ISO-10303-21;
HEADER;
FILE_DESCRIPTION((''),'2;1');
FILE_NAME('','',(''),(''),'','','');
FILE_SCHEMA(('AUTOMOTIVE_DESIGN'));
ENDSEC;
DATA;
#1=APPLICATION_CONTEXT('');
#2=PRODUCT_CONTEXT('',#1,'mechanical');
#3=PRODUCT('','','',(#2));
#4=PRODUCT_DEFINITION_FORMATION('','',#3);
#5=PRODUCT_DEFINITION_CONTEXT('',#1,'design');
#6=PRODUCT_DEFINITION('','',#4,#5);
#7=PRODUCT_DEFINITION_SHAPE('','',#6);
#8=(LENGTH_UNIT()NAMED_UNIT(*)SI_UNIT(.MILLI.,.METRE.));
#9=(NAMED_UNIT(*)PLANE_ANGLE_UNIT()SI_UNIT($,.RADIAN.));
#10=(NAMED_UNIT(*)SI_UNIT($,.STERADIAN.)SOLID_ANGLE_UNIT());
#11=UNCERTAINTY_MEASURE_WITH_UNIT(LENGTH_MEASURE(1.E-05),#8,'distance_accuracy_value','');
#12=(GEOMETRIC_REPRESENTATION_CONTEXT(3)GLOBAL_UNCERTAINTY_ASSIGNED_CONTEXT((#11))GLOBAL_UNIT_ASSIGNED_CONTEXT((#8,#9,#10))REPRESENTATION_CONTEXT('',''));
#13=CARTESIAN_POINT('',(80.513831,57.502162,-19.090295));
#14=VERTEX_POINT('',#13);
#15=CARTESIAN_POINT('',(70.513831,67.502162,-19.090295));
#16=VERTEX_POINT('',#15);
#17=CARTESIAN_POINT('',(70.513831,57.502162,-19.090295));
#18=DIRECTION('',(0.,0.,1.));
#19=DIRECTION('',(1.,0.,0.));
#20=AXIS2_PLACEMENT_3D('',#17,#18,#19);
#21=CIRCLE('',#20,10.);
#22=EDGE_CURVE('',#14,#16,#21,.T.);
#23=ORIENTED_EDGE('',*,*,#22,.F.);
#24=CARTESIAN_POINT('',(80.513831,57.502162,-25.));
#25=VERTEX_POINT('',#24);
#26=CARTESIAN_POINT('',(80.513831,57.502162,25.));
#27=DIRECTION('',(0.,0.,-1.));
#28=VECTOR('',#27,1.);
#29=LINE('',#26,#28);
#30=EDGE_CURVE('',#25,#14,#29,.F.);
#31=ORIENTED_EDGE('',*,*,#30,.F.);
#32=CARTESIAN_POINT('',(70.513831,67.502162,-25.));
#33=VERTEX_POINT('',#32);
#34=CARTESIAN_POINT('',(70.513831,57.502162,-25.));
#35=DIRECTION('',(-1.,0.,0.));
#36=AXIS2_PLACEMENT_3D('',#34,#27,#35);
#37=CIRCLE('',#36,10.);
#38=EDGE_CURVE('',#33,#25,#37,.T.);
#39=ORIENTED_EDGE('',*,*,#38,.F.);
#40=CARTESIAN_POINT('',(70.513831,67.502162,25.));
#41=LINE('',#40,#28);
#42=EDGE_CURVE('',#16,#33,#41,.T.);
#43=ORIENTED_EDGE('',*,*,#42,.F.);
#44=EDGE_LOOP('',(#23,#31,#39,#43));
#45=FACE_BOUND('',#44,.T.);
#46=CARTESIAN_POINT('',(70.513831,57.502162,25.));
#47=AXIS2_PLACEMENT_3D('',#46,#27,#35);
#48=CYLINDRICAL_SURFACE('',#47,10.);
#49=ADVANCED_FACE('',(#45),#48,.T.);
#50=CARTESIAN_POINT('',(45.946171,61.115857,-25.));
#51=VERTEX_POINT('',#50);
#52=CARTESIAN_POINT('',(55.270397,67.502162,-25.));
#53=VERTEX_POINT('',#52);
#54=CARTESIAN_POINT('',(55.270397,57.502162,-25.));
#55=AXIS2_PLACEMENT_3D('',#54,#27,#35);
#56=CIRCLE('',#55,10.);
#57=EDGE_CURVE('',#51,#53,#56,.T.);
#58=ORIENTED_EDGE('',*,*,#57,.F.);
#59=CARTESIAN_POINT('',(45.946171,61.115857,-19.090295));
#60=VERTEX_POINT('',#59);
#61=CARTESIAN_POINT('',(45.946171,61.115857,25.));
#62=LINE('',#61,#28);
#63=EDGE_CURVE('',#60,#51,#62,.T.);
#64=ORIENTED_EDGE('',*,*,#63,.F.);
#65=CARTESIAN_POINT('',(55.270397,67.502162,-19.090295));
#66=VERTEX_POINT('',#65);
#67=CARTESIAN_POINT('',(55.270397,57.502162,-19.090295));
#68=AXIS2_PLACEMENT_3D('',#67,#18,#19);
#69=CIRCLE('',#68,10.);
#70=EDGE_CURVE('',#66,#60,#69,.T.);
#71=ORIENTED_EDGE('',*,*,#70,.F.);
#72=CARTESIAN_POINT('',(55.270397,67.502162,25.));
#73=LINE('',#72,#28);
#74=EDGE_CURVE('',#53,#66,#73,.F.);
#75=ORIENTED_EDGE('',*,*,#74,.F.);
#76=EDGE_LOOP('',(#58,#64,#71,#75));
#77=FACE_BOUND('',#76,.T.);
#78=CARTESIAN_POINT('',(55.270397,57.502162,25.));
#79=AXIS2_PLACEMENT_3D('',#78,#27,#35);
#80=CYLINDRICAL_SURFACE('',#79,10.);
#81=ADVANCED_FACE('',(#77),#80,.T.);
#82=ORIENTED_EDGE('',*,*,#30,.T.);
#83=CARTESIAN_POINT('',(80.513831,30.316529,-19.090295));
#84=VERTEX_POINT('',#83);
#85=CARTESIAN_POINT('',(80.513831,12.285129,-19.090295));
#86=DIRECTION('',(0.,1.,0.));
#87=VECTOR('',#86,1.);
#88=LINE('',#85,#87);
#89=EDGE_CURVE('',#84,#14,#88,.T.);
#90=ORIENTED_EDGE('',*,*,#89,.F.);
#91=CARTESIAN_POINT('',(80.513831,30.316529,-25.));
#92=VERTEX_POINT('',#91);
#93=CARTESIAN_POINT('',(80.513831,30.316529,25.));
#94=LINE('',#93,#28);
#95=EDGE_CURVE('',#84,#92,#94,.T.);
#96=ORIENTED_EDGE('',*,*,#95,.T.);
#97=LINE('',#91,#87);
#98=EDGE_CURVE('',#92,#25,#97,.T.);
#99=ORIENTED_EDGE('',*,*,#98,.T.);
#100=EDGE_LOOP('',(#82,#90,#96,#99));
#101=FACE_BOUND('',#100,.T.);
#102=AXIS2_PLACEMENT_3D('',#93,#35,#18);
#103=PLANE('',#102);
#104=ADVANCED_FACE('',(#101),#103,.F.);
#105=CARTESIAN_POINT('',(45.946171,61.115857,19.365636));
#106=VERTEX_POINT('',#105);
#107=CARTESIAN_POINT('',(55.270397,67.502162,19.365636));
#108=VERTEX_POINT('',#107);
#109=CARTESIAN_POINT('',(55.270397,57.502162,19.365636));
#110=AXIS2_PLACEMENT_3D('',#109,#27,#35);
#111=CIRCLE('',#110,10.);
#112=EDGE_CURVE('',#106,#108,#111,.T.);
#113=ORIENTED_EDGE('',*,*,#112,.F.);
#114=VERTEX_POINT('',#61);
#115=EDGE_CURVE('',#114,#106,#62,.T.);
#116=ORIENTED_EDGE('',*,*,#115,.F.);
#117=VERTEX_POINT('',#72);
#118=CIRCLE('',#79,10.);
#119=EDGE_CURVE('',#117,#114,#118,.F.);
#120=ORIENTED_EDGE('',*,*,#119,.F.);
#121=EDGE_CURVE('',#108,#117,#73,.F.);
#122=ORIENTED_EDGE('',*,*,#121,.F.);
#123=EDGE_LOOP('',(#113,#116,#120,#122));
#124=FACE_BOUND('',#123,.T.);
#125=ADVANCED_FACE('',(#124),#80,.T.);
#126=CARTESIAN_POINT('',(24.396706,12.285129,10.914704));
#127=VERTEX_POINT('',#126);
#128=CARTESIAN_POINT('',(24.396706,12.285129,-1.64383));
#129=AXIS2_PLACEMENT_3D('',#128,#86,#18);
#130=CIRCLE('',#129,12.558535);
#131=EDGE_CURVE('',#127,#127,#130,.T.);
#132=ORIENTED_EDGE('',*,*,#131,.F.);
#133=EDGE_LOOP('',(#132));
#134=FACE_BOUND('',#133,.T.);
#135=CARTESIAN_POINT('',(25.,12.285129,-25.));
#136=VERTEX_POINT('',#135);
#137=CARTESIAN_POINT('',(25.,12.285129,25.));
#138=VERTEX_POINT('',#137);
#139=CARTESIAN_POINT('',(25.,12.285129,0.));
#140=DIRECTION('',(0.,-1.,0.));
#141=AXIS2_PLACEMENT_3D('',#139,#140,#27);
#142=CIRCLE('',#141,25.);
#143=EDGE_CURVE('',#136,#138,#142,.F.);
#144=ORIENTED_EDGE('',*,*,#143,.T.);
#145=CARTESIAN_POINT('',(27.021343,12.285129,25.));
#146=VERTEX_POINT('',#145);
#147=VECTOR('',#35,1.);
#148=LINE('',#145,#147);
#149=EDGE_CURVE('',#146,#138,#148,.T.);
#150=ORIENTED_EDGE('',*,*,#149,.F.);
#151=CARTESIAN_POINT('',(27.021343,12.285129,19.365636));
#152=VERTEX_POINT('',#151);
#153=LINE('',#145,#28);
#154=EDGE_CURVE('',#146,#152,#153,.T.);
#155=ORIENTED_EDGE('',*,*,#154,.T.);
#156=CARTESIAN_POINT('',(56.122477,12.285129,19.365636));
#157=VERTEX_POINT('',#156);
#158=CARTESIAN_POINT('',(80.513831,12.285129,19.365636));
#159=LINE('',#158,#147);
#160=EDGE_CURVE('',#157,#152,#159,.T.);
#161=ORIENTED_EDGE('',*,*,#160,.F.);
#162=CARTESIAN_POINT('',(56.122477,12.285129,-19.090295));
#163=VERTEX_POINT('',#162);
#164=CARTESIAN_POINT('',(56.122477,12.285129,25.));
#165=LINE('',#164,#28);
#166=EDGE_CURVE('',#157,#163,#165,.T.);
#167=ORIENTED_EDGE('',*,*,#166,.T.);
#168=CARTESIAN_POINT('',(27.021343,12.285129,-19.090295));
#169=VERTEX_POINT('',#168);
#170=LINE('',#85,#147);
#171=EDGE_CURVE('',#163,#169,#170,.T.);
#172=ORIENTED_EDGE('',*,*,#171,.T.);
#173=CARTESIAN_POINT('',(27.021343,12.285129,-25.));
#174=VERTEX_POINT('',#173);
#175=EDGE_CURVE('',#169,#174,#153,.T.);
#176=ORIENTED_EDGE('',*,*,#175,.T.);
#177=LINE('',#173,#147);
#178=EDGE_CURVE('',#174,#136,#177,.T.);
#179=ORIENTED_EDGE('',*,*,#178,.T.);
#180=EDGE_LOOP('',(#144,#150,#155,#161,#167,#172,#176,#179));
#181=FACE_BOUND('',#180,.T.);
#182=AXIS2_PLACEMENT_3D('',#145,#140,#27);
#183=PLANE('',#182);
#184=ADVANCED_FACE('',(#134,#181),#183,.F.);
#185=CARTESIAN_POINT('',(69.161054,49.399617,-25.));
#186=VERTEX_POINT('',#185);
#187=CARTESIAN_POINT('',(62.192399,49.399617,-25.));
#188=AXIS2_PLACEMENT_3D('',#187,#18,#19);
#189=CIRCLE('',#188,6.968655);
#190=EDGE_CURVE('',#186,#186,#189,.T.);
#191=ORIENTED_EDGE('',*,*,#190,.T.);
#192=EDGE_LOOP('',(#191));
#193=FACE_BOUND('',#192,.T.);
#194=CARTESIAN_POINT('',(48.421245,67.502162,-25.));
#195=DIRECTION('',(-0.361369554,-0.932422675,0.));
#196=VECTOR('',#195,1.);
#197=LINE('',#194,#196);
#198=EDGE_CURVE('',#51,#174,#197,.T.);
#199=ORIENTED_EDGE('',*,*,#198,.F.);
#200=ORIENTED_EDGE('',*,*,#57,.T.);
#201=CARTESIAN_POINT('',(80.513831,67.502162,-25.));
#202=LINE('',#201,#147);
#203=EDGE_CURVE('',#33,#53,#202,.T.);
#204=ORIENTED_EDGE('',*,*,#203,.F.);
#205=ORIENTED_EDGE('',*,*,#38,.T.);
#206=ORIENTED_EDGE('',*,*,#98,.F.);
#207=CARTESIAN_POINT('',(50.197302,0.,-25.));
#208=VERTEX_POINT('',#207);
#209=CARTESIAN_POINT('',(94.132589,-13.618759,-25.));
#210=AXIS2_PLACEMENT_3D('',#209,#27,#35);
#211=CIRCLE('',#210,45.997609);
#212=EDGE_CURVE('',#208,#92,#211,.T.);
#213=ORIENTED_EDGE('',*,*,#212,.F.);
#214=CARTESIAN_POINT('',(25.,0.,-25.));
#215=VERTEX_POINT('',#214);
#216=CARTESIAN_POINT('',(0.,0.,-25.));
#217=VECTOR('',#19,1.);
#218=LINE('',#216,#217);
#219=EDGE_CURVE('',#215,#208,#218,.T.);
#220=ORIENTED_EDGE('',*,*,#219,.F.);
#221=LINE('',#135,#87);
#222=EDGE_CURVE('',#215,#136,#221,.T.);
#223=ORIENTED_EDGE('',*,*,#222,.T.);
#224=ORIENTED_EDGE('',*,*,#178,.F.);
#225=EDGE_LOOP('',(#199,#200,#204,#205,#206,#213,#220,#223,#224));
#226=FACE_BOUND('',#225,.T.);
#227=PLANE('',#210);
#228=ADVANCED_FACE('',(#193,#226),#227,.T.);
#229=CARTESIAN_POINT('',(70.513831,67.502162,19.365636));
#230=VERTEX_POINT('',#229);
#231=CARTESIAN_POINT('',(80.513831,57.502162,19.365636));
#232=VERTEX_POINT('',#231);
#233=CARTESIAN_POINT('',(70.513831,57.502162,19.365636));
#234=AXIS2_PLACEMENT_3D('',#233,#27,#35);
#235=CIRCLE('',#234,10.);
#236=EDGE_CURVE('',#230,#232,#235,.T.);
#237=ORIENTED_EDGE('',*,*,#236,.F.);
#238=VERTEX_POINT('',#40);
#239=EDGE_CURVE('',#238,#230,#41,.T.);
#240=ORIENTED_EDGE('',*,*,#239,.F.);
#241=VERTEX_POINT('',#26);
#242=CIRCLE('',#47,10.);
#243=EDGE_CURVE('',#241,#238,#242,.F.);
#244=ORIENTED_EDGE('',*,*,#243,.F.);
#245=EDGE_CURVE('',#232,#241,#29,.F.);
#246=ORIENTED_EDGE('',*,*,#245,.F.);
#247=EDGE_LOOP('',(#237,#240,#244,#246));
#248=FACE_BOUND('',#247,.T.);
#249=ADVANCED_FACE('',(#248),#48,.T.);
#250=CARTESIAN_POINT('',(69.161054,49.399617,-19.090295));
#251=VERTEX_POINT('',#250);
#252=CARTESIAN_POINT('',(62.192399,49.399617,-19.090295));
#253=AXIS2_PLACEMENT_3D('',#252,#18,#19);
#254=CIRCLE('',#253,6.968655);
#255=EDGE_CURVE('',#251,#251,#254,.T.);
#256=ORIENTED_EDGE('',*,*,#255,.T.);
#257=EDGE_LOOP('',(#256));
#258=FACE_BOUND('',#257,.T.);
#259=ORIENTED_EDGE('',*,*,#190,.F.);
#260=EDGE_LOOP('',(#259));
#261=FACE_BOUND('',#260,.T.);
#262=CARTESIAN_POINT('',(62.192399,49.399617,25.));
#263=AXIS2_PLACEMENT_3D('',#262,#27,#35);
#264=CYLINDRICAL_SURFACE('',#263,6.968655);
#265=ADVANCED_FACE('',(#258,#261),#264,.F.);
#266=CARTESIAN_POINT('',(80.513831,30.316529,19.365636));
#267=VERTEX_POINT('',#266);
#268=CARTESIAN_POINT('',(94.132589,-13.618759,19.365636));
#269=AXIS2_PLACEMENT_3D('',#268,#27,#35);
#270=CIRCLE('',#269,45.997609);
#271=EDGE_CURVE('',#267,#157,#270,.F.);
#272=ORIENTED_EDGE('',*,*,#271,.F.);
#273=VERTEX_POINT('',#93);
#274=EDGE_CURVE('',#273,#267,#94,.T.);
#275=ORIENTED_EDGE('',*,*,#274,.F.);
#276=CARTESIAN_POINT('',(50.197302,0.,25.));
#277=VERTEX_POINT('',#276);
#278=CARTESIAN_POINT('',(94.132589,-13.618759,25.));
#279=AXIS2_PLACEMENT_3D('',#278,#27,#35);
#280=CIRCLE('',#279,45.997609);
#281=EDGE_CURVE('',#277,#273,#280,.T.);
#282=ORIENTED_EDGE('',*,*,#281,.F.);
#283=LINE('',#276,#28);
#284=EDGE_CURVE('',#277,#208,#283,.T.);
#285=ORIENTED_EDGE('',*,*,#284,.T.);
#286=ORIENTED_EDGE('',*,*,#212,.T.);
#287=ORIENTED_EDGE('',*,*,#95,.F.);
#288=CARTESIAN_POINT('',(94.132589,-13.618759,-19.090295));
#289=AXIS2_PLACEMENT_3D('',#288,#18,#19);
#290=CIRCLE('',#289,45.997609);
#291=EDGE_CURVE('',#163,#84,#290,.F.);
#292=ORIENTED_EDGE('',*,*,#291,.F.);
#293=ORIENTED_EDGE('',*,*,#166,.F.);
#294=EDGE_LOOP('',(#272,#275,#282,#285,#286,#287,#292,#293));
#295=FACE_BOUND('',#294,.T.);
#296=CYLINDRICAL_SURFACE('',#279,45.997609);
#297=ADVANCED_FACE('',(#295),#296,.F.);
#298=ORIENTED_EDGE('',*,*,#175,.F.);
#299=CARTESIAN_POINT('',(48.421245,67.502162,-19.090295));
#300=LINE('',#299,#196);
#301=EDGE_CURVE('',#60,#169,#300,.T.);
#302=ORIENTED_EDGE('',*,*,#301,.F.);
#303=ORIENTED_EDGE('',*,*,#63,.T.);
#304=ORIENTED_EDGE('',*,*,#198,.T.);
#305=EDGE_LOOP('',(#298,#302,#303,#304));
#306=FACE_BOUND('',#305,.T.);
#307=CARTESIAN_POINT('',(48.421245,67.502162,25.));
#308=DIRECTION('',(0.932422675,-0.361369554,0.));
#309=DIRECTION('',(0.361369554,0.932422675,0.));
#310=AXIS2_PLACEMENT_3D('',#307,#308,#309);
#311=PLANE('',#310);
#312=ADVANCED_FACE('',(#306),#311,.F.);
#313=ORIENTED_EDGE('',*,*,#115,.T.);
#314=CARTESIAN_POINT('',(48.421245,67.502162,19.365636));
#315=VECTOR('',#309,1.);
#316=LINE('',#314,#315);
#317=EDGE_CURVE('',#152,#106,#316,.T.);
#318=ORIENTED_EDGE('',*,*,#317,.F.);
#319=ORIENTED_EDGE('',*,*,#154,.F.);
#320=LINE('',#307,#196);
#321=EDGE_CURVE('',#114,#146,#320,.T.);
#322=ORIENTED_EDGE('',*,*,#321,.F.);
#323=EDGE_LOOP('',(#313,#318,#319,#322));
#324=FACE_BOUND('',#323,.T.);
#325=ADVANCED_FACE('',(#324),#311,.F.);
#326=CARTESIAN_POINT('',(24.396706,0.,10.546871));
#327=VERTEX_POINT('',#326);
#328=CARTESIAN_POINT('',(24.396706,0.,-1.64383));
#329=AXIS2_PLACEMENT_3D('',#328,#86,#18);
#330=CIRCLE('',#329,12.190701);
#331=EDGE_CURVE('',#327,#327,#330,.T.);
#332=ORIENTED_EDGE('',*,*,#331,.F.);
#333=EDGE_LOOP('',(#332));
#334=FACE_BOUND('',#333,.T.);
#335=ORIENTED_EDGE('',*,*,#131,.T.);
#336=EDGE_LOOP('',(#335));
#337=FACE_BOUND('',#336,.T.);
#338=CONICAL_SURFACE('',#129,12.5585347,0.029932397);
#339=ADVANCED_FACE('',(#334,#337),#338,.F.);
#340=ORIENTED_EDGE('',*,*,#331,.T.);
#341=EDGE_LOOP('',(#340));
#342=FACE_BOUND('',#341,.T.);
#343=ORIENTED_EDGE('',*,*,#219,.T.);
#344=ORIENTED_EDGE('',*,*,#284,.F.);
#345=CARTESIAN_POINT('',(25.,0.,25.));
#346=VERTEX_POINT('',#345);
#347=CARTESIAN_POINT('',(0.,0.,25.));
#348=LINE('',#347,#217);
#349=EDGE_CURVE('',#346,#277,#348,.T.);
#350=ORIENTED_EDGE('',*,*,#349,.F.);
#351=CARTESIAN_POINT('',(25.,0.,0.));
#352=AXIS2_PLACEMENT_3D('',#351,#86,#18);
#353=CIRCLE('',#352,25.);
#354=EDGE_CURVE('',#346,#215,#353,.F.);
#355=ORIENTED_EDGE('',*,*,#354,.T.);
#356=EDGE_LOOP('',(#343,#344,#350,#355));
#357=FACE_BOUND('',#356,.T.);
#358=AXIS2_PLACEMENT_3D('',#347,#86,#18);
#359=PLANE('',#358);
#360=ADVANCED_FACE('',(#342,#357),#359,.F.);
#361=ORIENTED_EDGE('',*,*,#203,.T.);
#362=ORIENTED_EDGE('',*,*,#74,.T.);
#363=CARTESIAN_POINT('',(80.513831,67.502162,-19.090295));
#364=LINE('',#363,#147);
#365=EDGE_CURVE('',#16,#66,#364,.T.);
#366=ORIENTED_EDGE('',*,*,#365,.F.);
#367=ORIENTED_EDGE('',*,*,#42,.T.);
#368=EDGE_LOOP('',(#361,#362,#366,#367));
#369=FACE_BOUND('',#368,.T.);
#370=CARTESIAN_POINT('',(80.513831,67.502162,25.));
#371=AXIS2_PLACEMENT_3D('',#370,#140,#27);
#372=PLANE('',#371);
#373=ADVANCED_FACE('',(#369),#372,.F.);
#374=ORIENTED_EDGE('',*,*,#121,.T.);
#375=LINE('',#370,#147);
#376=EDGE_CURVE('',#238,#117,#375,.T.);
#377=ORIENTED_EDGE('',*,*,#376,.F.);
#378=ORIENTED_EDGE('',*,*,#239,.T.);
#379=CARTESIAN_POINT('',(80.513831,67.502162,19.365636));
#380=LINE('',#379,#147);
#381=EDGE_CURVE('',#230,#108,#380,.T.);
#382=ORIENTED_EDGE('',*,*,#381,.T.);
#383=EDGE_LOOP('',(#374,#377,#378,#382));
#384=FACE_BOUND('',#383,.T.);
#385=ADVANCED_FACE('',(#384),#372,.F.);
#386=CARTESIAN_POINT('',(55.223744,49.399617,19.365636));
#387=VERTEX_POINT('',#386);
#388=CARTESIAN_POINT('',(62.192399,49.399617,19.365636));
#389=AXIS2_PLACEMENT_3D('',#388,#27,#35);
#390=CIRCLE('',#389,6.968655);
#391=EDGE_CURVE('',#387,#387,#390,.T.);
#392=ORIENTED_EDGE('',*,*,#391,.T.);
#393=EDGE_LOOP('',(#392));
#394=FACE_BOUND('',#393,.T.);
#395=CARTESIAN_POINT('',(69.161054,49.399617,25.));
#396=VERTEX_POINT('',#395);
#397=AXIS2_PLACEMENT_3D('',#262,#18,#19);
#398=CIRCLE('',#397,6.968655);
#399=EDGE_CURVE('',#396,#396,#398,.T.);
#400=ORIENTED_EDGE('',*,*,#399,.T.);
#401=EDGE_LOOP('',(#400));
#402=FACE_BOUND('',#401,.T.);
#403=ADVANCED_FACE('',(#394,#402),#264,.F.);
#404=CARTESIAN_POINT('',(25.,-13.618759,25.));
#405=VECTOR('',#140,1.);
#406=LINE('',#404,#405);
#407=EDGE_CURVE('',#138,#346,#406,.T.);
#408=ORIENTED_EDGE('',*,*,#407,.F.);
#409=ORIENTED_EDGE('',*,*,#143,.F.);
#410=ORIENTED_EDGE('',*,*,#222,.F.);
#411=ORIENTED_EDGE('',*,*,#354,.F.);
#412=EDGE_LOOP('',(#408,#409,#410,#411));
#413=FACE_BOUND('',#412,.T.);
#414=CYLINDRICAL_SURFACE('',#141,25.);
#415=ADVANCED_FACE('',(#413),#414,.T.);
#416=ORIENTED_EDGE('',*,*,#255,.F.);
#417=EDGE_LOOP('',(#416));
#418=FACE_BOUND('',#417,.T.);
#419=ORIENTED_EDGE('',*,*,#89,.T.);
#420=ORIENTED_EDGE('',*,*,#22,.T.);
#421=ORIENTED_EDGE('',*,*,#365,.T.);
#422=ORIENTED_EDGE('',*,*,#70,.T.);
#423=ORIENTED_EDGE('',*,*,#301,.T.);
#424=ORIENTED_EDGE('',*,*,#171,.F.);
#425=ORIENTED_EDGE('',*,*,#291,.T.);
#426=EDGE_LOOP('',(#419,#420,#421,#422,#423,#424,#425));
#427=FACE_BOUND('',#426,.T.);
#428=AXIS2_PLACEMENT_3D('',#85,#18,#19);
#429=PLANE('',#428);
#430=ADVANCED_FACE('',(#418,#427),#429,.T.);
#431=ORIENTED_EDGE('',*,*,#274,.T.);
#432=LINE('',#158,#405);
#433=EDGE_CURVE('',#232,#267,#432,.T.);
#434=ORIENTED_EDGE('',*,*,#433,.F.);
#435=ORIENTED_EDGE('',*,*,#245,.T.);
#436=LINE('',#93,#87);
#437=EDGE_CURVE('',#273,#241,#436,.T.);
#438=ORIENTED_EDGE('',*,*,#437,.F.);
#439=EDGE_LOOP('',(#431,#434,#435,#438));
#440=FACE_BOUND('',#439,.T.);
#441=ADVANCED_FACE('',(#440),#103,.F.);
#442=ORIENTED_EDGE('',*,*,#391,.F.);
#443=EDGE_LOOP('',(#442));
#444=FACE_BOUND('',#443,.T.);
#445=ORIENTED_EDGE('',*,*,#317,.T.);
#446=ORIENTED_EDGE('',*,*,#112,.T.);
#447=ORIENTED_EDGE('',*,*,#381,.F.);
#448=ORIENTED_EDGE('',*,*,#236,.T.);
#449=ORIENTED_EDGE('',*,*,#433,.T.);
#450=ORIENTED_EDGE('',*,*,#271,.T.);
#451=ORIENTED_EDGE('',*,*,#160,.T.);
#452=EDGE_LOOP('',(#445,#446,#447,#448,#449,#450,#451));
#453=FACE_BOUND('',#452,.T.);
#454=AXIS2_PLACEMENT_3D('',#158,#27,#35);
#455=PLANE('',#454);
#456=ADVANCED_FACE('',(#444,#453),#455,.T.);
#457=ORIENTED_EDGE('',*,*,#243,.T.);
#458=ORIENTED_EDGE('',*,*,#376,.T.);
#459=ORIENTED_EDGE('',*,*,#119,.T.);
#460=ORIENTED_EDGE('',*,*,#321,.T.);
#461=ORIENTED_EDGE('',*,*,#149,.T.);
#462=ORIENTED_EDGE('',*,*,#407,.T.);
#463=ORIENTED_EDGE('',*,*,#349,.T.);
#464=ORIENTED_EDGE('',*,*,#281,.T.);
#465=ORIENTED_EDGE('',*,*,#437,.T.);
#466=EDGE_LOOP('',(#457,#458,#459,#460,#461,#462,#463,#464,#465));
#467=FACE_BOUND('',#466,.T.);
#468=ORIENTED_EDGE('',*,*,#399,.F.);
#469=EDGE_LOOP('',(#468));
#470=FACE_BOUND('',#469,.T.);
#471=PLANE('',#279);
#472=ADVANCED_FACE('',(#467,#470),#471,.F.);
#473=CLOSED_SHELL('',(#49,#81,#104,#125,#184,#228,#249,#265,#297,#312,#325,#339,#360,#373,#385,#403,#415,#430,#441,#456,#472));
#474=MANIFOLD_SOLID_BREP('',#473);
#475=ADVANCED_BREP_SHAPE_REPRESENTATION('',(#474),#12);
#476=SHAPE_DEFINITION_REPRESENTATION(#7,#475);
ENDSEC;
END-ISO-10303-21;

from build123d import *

# Parameters (mm, degrees)
SKETCH2_R           = 6.96865511
BOSS_EXTRUDE1_DEPTH = 25
SKETCH3_W           = 38.455930717
SKETCH3_H           = 55.217032342
CUT_EXTRUDE1_DEPTH  = 109.000086758
FILLET1_RADIUS      = 25
FILLET1_LENGTH      = 12.285129205
FILLET2_R           = 10
FILLET3_R           = 10
FILLET4_R           = 10
FILLET5_R           = 10


with BuildPart() as part:
    # Sketch2 → Boss-Extrude1 (new, symmetric)
    with BuildSketch(Plane.XY):
        with BuildLine():
            Line((0, 0), (50.197302129, 0))
            ThreePointArc((50.197302129, 0), (61.607367951, 18.906462701), (80.513830652, 30.316528523))
            Line((80.513830652, 30.316528523), (80.513830652, 67.502161547))
            Line((80.513830652, 67.502161547), (48.421245481, 67.502161547))
            Line((48.421245481, 67.502161547), (27.021342994, 12.285129205))
            Line((27.021342994, 12.285129205), (0, 12.285129205))
            Line((0, 12.285129205), (0, 0))
        make_face()
        with Locations((62.192399066, 49.399617147)):
            Circle(SKETCH2_R, mode=Mode.SUBTRACT)
    extrude(amount=BOSS_EXTRUDE1_DEPTH, both=True)

    # Sketch3 → Cut-Extrude1 (cut, through all)
    with BuildSketch(Plane(origin=(0, 0, 0), x_dir=(0, 0, -1), z_dir=(1, 0, 0))):
        with Locations((-0.137670396, 39.893645376)):
            Rectangle(SKETCH3_W, SKETCH3_H)
    extrude(amount=CUT_EXTRUDE1_DEPTH, mode=Mode.SUBTRACT)

    # Fillet1: full round fillet: the end face becomes a half cylinder, R = half its width
    fillet1_face = Plane((0, 6.142564603, 0), x_dir=(0, -1, 0), z_dir=(-1, 0, 0))  # on the end face: x along it, z out of the body
    fillet1_slab = fillet1_face.offset(-FILLET1_RADIUS / 2) * Box(FILLET1_LENGTH, 2 * FILLET1_RADIUS, FILLET1_RADIUS, mode=Mode.PRIVATE)  # the body's end, R deep
    fillet1_round = Plane((25, 6.142564603, 0), x_dir=(-1, 0, 0), z_dir=(0, -1, 0)) * Cylinder(FILLET1_RADIUS, FILLET1_LENGTH, mode=Mode.PRIVATE)  # its axis R under the face
    add(fillet1_slab - fillet1_round, mode=Mode.SUBTRACT)

    # Fillet2
    fillet2_edges = [part.edges().sort_by_distance(p)[0] for p in [
        (48.421245481, 67.502161547, -22.045147481),
    ]]
    fillet(fillet2_edges, radius=FILLET2_R)

    # Fillet3
    fillet3_edges = [part.edges().sort_by_distance(p)[0] for p in [
        (80.513830652, 67.502161547, -22.045147481),
    ]]
    fillet(fillet3_edges, radius=FILLET3_R)

    # Fillet4
    fillet4_edges = [part.edges().sort_by_distance(p)[0] for p in [
        (48.421245481, 67.502161547, 22.182817878),
    ]]
    fillet(fillet4_edges, radius=FILLET4_R)

    # Fillet5
    fillet5_edges = [part.edges().sort_by_distance(p)[0] for p in [
        (80.513830652, 67.502161547, 22.182817878),
    ]]
    fillet(fillet5_edges, radius=FILLET5_R)

    # Sketch6 → 3/4 NPT Tapped Hole1 (revolve, cut)
    with BuildSketch(Plane(origin=(24.396705522, 12.285129205, -1.643830205), x_dir=(0, 0, 1), z_dir=(1, 0, 0))):
        Polygon((0, 0), (0, 12.285129205), (11.5062, 12.285129205), (11.5062, 14.05), (12.137858885, 14.05), (12.5585347, 0), align=None)
    revolve(axis=Axis((24.396705522, 18.635129205, -1.643830205), (0, -1, 0)), mode=Mode.SUBTRACT)


solid = part.part
